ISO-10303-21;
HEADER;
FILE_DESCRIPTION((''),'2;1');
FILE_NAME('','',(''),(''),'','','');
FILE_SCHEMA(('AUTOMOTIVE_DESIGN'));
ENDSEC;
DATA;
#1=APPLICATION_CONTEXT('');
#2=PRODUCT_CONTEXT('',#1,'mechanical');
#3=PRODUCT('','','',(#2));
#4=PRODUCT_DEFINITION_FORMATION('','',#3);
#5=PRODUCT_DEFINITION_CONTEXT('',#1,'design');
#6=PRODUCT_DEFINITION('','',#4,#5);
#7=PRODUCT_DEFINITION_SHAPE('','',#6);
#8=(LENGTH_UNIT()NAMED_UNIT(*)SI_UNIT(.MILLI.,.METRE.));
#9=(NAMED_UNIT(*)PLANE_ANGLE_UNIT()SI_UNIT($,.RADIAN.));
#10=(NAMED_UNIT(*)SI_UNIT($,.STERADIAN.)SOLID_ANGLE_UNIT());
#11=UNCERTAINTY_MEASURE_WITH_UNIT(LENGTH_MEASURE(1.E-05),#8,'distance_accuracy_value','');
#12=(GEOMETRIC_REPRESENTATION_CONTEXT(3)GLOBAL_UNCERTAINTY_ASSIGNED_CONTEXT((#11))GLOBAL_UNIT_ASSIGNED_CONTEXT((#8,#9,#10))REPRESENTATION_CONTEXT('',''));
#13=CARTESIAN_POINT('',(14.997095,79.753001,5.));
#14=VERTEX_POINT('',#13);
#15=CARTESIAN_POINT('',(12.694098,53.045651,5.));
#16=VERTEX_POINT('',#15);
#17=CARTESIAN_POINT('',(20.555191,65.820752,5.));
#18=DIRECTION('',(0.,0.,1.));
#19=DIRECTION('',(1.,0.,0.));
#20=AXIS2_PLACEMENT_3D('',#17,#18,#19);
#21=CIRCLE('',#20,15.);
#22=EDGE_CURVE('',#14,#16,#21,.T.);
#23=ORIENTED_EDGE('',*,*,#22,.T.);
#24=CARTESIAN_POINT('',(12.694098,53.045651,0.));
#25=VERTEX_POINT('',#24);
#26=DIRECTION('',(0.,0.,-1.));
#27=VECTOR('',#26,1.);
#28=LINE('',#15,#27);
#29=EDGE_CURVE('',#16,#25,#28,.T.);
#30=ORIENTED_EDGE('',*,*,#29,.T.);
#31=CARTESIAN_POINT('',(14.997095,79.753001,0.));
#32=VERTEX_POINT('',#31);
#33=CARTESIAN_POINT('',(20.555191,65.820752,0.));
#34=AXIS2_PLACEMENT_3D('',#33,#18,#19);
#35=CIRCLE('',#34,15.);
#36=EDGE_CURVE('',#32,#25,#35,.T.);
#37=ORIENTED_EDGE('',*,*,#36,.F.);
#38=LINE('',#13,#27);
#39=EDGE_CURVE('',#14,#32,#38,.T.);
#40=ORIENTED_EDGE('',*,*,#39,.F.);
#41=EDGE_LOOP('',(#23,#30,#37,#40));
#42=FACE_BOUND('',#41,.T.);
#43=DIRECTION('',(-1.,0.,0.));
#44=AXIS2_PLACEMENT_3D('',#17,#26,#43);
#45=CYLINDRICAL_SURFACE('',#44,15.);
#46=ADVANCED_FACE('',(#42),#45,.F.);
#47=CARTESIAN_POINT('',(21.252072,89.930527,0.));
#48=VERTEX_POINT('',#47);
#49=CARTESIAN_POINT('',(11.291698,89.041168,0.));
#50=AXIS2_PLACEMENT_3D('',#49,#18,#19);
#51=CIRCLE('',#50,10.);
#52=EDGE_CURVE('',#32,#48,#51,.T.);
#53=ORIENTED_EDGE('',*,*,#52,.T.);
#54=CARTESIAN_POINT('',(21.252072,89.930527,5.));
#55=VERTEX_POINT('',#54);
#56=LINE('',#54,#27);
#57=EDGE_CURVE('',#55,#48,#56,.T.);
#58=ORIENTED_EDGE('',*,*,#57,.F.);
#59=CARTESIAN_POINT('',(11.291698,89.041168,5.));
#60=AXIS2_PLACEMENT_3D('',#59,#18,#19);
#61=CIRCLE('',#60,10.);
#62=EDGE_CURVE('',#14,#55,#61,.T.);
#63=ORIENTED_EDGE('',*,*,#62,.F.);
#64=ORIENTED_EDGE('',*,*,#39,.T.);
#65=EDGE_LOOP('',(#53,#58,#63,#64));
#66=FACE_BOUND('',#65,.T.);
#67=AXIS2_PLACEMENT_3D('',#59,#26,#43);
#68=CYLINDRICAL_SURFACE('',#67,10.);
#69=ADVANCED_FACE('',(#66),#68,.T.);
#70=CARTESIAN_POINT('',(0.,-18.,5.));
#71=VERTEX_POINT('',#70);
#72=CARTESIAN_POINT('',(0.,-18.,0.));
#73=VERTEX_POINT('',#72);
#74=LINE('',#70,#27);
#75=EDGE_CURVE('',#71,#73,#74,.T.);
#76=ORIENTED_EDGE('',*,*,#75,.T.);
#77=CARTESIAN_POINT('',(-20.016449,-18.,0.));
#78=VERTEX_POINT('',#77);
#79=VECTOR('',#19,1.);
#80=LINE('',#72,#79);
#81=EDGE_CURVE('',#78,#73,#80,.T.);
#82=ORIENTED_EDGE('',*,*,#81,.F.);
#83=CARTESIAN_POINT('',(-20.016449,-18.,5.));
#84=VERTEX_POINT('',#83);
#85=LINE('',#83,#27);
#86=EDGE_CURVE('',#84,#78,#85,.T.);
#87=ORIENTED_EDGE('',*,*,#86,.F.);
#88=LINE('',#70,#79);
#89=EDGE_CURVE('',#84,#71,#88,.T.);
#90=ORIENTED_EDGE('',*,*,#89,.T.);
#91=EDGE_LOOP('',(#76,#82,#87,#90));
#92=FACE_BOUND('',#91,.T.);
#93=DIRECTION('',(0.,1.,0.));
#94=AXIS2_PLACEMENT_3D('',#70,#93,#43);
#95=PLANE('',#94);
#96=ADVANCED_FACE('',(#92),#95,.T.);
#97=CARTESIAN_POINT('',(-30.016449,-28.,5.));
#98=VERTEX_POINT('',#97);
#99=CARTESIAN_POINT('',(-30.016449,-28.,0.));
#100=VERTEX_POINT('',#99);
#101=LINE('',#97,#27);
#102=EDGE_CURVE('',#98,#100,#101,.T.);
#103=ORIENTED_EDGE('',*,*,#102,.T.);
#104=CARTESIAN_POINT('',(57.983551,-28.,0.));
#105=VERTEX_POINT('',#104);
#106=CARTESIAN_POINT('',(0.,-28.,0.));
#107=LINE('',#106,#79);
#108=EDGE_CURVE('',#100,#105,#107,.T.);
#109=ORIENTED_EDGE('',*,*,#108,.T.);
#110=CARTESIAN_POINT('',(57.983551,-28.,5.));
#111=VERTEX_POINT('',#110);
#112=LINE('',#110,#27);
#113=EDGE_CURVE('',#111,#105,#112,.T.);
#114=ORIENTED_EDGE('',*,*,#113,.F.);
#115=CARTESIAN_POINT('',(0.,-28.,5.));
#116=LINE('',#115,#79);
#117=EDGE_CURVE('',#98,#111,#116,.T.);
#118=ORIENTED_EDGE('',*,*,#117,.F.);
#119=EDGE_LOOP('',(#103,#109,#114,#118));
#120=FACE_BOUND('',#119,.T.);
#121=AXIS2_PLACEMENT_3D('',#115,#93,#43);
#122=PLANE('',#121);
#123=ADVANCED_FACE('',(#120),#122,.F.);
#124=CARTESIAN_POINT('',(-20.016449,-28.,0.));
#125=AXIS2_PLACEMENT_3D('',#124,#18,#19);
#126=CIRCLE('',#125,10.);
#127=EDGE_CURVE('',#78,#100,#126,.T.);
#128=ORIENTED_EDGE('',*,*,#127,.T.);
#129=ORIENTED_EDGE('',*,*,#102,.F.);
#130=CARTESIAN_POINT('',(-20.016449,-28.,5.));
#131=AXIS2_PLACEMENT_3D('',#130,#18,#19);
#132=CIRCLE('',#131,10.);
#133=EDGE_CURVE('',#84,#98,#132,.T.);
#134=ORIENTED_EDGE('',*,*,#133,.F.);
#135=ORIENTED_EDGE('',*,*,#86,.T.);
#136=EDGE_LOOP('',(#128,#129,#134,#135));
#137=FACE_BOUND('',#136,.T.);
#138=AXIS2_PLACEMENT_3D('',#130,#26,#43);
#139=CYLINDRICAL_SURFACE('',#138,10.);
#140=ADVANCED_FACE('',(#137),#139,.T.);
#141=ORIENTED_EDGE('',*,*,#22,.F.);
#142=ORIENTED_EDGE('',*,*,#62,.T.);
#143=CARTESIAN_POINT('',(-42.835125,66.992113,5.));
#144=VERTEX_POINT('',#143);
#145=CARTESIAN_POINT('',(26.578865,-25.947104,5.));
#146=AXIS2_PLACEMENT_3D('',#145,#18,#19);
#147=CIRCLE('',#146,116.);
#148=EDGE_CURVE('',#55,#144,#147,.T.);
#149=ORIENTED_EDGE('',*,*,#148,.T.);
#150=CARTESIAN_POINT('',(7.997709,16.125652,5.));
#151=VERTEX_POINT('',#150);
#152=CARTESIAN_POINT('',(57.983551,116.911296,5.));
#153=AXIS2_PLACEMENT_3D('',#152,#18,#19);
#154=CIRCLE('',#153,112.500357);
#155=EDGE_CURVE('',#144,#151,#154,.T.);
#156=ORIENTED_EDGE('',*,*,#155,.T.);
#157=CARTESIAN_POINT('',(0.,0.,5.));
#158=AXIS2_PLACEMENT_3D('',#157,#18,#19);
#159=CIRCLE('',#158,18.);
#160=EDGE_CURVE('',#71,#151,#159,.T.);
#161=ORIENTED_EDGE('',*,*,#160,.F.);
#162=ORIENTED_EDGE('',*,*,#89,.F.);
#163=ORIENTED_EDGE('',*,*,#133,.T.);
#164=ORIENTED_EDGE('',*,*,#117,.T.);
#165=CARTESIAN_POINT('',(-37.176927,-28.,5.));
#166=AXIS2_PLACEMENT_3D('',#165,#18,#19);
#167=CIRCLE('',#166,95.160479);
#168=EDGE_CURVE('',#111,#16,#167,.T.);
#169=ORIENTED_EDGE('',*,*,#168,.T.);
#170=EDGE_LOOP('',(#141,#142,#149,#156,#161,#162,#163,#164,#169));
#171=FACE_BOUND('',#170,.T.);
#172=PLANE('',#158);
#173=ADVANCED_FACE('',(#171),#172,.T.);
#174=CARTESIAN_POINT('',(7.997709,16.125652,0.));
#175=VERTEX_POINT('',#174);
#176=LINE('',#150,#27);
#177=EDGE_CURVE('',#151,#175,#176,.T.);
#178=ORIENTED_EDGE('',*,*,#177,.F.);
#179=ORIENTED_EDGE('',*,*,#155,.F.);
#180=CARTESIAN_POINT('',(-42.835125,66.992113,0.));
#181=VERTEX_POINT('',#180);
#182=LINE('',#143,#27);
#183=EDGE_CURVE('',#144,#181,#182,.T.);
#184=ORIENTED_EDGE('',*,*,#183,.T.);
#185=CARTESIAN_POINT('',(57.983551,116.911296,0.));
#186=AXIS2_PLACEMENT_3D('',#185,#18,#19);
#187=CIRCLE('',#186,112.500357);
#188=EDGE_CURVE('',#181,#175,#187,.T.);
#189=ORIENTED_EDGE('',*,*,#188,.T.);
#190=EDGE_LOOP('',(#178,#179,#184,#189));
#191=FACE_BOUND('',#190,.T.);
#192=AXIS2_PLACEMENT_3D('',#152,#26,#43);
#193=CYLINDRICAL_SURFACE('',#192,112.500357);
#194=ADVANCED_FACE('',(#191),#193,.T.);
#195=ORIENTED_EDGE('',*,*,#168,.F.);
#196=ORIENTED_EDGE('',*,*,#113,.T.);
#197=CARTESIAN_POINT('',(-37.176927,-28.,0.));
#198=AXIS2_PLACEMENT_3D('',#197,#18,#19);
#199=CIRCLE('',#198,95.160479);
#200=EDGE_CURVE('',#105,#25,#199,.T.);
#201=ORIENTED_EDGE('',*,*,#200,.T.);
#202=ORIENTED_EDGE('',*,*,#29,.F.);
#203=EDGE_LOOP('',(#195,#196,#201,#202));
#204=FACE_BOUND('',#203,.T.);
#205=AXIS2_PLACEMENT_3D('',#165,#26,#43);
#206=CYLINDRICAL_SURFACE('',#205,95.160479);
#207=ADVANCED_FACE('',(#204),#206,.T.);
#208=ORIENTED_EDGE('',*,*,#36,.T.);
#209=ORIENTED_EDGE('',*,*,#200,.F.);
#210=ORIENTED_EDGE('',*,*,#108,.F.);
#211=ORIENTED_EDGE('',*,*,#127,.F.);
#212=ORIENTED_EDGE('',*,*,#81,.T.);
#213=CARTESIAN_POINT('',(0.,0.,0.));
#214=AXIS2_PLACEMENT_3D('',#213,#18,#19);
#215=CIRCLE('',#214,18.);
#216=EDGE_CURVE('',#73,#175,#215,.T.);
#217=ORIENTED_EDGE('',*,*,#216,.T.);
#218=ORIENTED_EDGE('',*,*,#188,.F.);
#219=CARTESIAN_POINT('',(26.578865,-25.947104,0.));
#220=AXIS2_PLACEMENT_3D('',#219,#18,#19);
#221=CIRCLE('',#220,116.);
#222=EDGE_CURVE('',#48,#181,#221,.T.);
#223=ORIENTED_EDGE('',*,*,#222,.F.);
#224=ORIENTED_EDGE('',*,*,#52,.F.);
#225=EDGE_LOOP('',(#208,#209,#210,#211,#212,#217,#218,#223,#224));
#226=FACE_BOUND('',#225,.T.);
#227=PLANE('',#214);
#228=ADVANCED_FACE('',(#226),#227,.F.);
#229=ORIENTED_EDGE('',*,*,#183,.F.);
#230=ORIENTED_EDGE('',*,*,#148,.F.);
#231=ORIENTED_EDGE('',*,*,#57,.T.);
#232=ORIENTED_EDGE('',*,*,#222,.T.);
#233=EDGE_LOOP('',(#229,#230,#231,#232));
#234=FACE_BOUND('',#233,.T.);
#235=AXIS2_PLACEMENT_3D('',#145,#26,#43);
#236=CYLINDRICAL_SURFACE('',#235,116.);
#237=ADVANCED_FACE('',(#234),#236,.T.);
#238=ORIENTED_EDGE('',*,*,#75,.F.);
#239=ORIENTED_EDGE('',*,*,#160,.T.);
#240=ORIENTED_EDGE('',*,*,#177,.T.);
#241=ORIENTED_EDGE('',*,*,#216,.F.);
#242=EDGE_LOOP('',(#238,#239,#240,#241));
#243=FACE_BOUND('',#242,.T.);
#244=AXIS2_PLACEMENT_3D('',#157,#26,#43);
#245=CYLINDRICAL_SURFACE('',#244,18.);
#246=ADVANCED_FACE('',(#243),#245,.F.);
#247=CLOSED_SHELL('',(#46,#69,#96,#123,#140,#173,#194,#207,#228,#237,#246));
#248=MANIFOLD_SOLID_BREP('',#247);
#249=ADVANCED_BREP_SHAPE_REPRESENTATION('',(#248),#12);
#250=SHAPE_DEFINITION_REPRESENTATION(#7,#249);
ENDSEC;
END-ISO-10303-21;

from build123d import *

# Parameters (mm, degrees)
BOSS_EXTRUDE1_DEPTH = 5


with BuildPart() as part:
    # Sketch1 → Boss-Extrude1 (new body)
    with BuildSketch(Plane.XY):
        with BuildLine():
            ThreePointArc((14.997095472, 79.753001356), (19.811312597, 83.805122165), (21.252071738, 89.930526859))
            ThreePointArc((21.252071738, 89.930526859), (-12.511912674, 83.267872862), (-42.835125453, 66.992112713))
            ThreePointArc((-42.835125453, 66.992112713), (-21.592512505, 37.387836987), (7.997709308, 16.125651795))
            ThreePointArc((7.997709308, 16.125651795), (17.525149533, -4.107205113), (0, -18))
            Line((0, -18), (-20.016448778, -18))
            ThreePointArc((-20.016448778, -18), (-27.087516589, -20.928932188), (-30.016448778, -28))
            Line((-30.016448778, -28), (57.983551222, -28))
            ThreePointArc((57.983551222, -28), (45.893125435, 18.420717493), (12.694098189, 53.045650682))
            ThreePointArc((12.694098189, 53.045650682), (5.610650395, 67.109432367), (14.997095472, 79.753001356))
        make_face()
    extrude(amount=BOSS_EXTRUDE1_DEPTH)


solid = part.part
